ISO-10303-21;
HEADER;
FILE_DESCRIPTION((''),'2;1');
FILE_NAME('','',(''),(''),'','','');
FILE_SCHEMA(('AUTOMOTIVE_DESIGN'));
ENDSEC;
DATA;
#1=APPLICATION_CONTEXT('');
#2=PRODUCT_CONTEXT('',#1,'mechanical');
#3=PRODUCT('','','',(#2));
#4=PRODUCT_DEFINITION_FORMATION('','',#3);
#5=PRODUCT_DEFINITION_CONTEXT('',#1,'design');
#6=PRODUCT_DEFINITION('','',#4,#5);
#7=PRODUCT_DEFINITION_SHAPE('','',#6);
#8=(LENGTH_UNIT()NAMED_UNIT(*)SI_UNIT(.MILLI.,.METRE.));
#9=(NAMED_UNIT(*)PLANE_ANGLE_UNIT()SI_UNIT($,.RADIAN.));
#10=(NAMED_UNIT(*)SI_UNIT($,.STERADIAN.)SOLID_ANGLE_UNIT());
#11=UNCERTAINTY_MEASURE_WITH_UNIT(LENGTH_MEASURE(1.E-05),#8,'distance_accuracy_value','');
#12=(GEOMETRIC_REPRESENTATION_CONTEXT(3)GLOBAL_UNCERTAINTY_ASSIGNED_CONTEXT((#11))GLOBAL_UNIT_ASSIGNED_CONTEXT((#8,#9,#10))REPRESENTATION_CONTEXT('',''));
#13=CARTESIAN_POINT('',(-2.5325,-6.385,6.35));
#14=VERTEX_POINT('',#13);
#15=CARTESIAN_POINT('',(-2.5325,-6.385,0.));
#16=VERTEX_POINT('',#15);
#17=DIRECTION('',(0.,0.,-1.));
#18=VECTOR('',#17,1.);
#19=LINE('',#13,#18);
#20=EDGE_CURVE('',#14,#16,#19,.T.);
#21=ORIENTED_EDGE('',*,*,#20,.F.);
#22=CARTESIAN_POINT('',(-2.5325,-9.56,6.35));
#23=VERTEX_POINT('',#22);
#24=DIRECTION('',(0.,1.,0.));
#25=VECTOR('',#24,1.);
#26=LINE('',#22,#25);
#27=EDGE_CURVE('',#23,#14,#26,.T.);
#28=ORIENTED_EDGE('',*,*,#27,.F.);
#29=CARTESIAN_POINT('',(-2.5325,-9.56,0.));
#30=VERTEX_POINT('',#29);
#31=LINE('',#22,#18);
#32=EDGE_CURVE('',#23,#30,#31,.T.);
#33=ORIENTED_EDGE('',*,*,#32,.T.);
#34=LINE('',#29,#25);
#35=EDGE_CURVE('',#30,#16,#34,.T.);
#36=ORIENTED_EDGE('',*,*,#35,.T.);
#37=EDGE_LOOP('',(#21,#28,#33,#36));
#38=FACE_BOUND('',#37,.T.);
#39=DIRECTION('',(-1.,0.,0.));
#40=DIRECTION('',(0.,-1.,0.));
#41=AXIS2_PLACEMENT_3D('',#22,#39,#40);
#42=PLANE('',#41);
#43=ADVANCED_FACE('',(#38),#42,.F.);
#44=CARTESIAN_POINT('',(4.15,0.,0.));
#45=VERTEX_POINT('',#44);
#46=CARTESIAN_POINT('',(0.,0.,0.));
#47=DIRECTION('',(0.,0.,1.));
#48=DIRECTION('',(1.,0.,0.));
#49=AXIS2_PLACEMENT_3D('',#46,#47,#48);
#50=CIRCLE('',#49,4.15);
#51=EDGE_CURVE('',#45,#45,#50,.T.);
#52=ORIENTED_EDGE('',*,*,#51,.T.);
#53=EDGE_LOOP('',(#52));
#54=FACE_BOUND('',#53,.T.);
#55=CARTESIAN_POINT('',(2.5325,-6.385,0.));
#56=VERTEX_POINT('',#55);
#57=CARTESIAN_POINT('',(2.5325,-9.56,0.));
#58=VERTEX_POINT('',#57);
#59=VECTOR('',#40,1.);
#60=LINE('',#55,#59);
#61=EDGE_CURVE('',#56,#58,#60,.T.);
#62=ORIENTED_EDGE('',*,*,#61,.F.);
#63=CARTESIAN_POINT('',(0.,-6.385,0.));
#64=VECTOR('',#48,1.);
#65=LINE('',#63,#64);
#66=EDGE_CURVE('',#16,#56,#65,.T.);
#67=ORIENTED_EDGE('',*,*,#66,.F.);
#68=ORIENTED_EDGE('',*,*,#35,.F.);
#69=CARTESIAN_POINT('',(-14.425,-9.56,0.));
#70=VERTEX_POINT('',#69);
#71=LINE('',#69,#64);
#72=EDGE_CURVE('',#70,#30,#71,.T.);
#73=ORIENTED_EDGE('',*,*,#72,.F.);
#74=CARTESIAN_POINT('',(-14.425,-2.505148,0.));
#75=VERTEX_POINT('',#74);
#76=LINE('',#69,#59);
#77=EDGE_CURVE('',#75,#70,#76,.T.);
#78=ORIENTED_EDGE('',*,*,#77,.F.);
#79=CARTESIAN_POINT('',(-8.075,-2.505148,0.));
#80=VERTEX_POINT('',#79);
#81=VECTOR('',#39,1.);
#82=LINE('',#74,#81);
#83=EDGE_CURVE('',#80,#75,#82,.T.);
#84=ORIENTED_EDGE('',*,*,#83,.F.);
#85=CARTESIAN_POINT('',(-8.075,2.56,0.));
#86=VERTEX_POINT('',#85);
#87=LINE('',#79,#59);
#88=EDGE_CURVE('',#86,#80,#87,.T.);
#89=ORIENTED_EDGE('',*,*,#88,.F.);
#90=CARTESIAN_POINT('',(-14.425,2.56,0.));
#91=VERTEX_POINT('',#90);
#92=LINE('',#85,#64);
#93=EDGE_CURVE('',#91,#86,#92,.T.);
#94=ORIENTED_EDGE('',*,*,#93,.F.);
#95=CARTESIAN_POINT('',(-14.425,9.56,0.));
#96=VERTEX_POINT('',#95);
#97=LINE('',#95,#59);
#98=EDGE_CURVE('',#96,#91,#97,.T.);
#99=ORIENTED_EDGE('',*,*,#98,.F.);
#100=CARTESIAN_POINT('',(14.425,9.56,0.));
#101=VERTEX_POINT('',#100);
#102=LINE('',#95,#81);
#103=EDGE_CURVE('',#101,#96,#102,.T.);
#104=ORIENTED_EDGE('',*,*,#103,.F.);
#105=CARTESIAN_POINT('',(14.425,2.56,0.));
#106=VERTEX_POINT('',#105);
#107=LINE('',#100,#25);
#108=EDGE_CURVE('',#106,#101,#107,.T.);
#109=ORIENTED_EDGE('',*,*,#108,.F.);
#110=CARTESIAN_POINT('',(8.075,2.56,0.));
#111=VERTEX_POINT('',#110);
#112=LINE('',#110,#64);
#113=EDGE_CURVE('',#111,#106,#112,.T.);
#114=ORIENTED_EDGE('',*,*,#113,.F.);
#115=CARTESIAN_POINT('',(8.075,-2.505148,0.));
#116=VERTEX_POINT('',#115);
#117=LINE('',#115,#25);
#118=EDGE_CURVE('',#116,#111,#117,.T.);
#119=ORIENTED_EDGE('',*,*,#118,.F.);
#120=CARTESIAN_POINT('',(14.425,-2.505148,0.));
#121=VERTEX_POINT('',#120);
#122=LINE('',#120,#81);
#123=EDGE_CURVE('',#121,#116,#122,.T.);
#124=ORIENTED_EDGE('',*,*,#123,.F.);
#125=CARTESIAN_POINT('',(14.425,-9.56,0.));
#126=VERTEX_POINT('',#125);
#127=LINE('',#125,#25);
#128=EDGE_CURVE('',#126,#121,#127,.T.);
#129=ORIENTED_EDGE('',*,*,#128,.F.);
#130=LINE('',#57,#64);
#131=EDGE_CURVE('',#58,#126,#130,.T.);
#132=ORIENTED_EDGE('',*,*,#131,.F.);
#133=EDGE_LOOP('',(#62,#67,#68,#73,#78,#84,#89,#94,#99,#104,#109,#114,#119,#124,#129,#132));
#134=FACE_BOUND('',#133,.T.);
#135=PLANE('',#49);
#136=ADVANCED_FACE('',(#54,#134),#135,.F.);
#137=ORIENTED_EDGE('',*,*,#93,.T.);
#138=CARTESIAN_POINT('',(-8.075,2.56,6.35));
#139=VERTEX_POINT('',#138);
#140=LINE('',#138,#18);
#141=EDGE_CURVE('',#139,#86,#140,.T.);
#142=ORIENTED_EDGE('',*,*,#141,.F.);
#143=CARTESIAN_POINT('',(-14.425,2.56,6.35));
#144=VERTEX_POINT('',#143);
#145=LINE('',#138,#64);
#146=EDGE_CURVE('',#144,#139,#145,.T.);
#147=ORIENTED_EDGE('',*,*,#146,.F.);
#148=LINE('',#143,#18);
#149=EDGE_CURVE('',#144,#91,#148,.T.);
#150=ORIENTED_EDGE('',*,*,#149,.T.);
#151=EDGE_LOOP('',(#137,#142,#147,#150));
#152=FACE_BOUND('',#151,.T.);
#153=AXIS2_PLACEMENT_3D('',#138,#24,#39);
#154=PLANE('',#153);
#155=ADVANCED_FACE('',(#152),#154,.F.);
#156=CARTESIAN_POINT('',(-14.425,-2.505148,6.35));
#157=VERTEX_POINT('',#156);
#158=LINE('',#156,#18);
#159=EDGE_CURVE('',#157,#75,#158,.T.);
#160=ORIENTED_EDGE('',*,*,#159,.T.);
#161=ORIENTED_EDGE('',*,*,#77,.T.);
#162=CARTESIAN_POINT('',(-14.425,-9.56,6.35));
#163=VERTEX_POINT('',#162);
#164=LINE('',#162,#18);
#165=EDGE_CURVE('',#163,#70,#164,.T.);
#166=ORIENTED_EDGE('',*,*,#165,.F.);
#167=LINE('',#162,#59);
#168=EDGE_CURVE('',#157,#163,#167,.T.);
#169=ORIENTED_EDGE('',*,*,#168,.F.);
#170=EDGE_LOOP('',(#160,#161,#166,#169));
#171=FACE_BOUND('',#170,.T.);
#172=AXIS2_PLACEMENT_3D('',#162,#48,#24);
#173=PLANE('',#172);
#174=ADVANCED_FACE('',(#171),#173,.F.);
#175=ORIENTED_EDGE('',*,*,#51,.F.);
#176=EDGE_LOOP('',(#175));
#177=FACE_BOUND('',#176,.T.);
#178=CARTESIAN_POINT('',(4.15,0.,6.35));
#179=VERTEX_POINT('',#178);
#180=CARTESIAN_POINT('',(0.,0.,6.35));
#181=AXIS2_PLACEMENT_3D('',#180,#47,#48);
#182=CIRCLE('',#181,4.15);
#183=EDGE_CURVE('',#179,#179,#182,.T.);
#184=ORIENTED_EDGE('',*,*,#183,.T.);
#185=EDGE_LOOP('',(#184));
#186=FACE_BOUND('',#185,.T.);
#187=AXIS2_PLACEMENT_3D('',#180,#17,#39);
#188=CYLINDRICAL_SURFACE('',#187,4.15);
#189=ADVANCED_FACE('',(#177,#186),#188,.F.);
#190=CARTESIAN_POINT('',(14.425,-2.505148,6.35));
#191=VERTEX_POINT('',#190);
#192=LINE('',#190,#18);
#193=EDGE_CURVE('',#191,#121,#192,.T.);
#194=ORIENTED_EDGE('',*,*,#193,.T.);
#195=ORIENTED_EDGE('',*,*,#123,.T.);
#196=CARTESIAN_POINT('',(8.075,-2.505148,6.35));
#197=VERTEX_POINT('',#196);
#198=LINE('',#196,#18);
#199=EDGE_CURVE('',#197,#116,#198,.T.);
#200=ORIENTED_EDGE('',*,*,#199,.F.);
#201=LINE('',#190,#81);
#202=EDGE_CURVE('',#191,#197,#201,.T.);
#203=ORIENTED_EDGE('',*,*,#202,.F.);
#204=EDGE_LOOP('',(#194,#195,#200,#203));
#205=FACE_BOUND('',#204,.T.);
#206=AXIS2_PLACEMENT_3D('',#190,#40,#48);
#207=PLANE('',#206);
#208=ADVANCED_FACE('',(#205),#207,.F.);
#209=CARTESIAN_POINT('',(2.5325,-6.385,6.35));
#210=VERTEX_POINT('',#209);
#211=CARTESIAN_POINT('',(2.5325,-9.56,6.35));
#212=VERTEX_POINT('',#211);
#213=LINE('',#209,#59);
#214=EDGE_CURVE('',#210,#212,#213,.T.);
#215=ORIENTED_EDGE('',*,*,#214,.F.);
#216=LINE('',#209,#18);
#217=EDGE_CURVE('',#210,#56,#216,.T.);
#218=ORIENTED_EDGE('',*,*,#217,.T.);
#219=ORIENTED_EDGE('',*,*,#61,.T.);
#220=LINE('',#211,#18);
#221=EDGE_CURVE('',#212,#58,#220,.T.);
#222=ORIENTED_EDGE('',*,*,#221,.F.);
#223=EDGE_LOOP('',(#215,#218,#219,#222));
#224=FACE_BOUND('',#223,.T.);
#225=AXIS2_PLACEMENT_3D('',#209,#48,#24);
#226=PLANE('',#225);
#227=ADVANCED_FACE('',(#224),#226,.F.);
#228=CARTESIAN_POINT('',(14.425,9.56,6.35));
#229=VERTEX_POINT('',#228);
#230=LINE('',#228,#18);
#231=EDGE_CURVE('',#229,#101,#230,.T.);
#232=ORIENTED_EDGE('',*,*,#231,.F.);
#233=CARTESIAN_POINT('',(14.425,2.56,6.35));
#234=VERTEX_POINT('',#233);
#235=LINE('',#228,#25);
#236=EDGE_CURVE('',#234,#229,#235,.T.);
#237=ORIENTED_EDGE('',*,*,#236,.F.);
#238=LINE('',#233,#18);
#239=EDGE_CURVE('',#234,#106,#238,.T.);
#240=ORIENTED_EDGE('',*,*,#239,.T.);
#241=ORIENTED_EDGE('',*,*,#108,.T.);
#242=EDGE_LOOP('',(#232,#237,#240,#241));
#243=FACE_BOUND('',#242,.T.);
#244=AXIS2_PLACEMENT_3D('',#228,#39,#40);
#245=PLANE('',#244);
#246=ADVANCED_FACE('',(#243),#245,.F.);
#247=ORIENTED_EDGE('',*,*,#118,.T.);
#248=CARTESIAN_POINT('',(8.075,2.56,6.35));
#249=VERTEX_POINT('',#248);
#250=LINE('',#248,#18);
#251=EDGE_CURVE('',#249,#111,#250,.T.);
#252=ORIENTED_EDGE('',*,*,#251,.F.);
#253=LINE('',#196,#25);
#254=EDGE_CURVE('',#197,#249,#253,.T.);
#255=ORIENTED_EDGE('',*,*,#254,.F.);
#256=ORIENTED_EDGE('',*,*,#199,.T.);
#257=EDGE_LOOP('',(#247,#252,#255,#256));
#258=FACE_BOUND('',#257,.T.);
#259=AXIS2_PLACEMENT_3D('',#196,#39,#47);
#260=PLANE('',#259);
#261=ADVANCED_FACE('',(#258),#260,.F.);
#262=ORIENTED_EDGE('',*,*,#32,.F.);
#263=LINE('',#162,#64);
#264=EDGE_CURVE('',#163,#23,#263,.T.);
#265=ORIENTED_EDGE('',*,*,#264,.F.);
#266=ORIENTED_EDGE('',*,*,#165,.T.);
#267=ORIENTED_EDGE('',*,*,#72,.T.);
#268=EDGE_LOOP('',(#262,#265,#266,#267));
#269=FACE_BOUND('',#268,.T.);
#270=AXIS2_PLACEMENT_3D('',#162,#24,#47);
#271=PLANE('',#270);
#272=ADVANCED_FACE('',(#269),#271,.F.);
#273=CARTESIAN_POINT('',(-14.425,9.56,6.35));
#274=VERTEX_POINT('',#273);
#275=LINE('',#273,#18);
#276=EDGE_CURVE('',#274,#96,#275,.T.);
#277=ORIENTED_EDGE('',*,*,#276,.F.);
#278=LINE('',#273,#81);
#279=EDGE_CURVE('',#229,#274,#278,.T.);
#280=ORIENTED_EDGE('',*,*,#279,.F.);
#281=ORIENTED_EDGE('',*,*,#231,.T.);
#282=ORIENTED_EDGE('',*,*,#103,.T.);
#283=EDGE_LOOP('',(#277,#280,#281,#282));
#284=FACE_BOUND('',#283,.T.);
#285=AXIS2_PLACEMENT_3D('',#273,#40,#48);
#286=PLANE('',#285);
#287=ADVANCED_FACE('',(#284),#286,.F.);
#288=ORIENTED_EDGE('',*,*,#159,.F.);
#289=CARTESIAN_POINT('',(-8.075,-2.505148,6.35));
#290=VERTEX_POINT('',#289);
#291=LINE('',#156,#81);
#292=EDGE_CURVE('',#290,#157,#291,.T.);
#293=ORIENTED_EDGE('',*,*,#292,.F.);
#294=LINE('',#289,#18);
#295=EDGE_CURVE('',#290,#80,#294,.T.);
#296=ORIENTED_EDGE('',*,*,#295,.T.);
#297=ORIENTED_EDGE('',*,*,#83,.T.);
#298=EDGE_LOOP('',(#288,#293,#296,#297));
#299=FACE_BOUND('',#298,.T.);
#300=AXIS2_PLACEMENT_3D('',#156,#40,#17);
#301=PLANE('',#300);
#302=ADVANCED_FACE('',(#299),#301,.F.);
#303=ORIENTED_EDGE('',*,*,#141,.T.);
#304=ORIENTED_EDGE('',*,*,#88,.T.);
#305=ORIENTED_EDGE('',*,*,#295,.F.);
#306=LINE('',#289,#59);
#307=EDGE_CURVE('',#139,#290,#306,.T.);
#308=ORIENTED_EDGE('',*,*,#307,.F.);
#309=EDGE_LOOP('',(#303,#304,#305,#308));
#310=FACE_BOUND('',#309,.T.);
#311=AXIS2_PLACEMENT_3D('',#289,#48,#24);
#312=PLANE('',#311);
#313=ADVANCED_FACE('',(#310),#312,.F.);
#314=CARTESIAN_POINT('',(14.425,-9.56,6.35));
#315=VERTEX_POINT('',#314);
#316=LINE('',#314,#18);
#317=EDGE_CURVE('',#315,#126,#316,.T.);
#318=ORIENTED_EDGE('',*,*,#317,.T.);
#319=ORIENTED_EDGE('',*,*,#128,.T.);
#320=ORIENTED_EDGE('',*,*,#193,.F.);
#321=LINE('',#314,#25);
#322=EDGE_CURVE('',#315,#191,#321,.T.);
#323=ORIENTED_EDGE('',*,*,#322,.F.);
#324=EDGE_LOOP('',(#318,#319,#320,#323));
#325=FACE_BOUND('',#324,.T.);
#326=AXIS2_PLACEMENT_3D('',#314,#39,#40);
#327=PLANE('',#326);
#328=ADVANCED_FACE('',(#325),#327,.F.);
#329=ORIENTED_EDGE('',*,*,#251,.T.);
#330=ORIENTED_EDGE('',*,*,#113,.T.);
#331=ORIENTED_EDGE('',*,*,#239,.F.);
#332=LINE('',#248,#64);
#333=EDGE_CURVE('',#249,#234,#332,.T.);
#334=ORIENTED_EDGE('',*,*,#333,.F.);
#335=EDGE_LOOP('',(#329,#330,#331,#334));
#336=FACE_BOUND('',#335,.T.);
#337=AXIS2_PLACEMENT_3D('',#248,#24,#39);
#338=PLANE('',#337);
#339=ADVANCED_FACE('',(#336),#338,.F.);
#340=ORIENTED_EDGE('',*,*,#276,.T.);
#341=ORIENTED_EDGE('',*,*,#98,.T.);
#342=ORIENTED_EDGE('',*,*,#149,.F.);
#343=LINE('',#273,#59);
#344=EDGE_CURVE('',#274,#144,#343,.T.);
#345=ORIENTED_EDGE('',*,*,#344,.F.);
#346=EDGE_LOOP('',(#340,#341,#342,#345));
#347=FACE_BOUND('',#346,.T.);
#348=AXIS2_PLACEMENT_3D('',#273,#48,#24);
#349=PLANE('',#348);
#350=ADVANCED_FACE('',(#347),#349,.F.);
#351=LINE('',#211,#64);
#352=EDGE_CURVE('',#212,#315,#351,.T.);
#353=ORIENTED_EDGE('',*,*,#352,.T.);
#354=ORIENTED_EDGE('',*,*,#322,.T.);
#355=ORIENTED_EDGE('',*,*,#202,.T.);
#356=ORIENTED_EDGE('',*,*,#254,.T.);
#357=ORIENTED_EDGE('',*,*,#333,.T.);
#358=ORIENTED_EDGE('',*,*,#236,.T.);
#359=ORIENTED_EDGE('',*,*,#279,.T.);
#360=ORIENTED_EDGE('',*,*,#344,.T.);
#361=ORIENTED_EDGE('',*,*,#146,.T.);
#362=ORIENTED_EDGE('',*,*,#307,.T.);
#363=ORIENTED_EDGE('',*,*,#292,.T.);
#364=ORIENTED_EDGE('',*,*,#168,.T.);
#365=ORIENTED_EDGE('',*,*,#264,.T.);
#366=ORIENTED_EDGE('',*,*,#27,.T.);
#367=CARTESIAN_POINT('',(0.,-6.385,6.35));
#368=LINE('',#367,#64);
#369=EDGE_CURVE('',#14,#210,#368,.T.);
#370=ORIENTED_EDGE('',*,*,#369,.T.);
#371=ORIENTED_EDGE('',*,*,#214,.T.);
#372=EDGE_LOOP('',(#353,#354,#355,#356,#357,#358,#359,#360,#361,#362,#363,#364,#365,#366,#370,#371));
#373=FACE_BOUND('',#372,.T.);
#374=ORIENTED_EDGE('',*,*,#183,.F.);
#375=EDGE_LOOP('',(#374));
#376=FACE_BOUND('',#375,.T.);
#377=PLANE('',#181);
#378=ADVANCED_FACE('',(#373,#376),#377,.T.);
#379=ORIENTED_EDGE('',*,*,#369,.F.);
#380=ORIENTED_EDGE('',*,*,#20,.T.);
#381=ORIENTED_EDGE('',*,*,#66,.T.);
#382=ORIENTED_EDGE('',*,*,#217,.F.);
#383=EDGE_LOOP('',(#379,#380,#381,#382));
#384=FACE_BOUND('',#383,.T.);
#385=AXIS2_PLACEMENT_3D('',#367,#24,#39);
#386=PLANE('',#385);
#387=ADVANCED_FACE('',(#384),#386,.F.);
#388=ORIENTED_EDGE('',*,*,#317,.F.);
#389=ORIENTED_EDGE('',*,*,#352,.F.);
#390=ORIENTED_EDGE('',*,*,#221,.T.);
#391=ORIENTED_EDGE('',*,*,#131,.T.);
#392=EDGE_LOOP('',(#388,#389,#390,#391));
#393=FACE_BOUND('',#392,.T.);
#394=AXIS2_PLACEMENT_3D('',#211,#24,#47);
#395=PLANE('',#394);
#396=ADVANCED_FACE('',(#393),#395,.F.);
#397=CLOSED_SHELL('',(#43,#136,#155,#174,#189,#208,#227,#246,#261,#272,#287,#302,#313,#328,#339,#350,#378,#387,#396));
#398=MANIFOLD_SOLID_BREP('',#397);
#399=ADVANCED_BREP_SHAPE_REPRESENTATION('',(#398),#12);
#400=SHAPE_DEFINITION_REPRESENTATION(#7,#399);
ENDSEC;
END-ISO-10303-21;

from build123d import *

# Parameters (mm, degrees)
SKETCH1_R           = 4.15
BOSS_EXTRUDE1_DEPTH = 6.35


with BuildPart() as part:
    # Sketch1 → Boss-Extrude1 (new body)
    with BuildSketch(Plane.XY):
        Polygon((-14.425, 9.56), (-14.425, 2.56), (-8.075, 2.56), (-8.075, -2.505147932), (-14.425, -2.505147932), (-14.425, -9.56), (-2.5325, -9.56), (-2.5325, -6.385), (0, -6.385), (2.5325, -6.385), (2.5325, -9.56), (14.425, -9.56), (14.425, -2.505147932), (8.075, -2.505147932), (8.075, 2.56), (14.425, 2.56), (14.425, 9.56), align=None)
        Circle(SKETCH1_R, mode=Mode.SUBTRACT)
    extrude(amount=BOSS_EXTRUDE1_DEPTH)


solid = part.part
